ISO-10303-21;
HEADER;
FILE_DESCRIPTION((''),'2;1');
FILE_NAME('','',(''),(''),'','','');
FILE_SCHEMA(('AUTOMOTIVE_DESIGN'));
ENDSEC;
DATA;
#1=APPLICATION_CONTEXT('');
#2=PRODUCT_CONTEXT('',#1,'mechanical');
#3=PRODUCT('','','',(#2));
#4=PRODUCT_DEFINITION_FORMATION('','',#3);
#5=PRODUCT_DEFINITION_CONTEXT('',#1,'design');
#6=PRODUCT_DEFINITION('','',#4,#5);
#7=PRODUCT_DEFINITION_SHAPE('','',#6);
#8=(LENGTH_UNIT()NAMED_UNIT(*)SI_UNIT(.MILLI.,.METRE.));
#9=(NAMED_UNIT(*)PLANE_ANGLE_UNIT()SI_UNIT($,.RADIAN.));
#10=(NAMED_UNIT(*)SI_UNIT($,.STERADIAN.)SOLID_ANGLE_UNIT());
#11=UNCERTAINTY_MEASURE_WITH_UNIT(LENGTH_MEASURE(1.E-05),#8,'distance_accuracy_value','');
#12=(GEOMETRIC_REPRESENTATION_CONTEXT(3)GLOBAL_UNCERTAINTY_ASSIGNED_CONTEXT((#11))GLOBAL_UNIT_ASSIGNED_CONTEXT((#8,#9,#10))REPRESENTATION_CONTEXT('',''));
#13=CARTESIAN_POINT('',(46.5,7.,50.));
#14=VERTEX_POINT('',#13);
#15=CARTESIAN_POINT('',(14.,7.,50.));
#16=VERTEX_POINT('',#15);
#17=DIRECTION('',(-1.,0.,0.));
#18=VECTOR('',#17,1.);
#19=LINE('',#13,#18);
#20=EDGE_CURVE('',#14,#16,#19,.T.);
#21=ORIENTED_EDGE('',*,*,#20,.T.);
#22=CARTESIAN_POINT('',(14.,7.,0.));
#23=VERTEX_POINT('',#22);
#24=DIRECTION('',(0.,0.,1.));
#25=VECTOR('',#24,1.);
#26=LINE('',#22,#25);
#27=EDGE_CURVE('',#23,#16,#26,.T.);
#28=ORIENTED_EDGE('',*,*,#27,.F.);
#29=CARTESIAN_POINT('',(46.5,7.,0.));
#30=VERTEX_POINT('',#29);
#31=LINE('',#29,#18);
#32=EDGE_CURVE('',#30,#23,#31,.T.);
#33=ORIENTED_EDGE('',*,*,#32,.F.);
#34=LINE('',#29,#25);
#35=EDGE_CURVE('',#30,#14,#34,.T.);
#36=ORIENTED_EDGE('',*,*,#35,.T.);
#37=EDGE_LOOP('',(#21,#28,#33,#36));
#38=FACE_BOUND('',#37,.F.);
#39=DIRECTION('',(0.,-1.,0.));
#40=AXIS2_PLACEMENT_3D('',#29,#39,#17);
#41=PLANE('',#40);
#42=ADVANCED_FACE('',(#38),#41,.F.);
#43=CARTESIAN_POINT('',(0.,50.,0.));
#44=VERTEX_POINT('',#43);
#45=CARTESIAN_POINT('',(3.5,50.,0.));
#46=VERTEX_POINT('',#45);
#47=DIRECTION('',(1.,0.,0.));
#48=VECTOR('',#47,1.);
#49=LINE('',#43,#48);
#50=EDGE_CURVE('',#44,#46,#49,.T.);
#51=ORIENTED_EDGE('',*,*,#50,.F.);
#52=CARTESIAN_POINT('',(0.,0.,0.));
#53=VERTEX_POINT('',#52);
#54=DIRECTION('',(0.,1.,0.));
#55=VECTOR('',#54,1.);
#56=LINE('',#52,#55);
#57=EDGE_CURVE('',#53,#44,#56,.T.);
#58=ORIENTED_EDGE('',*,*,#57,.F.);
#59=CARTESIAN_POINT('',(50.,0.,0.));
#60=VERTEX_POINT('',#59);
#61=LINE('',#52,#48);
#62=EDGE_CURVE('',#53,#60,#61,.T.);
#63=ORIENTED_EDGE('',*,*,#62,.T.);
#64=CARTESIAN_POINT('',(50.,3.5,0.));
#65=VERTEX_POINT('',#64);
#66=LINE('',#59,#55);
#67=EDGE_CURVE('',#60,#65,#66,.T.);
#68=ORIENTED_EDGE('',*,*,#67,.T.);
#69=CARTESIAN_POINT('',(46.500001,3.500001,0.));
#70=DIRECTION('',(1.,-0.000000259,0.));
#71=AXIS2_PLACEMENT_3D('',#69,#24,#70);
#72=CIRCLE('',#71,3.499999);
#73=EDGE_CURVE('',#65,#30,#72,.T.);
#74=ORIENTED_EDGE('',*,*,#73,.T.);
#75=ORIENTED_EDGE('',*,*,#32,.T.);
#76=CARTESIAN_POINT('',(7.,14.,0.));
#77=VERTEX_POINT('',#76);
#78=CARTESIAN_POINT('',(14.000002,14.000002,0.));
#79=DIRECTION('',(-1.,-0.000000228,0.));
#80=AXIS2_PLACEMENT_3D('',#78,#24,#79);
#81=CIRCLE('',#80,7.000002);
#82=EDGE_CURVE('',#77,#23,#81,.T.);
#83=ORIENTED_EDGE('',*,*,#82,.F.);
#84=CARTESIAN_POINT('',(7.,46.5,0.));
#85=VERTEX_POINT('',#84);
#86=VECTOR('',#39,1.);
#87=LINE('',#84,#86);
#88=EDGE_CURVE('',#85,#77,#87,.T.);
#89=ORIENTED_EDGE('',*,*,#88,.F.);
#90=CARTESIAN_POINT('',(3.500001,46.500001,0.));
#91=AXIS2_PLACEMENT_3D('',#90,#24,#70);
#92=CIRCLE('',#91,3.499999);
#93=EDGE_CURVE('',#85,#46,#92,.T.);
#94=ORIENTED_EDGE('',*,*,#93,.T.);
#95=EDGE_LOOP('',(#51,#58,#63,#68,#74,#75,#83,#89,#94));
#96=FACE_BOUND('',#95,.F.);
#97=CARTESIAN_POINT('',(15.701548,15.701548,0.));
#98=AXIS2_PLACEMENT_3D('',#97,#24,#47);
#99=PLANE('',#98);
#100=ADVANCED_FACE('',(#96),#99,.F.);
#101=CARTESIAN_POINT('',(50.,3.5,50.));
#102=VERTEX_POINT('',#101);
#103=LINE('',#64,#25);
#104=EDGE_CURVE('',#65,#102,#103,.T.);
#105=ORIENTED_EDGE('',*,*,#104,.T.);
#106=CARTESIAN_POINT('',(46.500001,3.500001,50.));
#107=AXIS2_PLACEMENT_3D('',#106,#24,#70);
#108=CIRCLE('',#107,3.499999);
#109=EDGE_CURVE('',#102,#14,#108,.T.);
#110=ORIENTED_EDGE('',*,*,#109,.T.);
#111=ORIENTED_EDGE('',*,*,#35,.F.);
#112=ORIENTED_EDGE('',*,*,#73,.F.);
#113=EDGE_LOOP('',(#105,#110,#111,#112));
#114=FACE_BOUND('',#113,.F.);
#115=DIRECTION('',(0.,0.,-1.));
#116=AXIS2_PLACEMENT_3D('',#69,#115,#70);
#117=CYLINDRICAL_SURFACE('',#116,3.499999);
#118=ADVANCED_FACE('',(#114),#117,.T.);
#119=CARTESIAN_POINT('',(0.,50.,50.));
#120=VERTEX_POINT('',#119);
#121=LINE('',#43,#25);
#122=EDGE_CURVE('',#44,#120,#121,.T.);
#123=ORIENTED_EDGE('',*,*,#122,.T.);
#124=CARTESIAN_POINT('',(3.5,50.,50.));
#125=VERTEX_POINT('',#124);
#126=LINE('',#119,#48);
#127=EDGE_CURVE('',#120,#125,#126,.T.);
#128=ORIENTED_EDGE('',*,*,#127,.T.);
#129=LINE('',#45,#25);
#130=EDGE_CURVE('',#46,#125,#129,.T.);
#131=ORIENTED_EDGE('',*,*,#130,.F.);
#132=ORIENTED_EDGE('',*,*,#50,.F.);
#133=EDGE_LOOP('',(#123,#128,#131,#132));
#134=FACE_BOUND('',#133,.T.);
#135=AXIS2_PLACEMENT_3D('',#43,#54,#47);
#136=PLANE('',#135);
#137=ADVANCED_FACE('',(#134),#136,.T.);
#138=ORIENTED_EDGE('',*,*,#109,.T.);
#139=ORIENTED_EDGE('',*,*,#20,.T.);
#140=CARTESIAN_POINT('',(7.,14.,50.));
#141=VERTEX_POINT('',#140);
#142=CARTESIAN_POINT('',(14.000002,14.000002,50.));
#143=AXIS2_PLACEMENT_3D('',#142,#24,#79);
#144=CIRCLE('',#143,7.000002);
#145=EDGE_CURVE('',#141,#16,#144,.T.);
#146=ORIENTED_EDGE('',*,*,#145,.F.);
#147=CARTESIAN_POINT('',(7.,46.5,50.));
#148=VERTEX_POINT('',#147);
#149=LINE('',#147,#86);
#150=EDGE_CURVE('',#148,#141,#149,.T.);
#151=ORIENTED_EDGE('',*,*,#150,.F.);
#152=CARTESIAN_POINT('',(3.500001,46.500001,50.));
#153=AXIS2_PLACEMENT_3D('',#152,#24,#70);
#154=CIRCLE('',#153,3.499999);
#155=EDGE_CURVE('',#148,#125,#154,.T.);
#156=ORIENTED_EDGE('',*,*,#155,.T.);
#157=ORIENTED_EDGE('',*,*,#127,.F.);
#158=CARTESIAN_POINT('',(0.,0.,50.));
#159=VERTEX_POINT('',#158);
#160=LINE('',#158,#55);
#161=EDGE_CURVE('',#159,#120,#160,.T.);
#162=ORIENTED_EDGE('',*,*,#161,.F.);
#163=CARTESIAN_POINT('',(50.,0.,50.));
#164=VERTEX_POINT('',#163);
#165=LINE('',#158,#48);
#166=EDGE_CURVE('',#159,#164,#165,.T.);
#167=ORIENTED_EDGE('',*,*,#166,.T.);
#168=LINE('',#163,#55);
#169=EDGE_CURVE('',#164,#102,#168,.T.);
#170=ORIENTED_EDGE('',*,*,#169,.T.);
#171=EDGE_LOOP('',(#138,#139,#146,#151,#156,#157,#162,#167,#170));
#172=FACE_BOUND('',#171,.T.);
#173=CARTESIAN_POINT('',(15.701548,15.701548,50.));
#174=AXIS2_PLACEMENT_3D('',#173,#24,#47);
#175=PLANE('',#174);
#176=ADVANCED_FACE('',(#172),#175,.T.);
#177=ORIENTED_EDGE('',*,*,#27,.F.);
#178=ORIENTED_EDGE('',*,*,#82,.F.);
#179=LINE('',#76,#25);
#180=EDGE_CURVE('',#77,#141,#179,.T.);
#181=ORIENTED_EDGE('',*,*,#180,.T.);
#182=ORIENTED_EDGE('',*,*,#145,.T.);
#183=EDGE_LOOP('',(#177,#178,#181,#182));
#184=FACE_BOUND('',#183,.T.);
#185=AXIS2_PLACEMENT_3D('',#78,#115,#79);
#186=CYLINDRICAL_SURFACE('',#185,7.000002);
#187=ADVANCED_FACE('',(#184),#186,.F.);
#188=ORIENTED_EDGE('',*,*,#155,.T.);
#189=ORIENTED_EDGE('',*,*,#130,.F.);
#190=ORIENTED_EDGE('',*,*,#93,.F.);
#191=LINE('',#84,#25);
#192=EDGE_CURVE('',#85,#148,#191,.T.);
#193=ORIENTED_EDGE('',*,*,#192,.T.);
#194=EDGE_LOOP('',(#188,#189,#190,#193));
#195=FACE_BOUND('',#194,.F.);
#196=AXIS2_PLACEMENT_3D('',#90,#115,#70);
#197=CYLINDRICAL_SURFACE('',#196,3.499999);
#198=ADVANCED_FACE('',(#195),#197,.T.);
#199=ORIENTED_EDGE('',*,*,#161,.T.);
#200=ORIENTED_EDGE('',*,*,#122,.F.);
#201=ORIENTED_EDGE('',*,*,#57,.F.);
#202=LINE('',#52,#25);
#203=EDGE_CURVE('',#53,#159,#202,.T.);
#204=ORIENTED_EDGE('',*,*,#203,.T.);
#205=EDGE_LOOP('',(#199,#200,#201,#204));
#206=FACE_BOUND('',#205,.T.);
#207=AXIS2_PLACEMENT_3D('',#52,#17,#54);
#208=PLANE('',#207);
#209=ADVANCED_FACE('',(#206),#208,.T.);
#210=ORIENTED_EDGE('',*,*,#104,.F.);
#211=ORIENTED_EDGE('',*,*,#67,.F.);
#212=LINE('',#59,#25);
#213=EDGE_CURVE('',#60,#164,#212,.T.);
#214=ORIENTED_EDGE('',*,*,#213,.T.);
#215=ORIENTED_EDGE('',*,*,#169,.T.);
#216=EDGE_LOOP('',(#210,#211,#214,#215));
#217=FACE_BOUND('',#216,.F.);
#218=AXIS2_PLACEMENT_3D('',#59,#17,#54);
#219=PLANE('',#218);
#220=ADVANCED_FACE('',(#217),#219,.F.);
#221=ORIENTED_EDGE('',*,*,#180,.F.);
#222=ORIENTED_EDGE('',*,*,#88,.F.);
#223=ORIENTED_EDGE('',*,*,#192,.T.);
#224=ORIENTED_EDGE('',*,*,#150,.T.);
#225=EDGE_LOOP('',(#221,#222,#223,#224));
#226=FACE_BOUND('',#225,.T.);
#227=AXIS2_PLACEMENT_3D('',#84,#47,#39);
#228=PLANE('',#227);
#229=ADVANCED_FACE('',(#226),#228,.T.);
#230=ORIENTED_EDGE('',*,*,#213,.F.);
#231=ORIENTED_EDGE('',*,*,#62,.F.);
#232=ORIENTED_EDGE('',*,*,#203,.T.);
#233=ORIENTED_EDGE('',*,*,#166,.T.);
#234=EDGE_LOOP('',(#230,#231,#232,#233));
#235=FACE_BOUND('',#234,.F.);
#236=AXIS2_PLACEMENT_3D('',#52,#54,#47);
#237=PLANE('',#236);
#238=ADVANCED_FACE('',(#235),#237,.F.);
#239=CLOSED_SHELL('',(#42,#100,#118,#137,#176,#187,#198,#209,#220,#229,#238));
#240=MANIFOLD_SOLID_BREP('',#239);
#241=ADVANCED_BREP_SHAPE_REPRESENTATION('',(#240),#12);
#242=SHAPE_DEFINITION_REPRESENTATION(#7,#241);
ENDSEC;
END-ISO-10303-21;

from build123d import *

# Parameters (mm, degrees)
EXTRUDE_DEPTH = 50


with BuildPart() as part:
    # Sketch → Extrude (new body)
    with BuildSketch(Plane.XY):
        with BuildLine():
            Line((0, 0), (50, 0))
            Line((50, 0), (50, 3.5))
            ThreePointArc((50, 3.5), (48.974874, 5.974874), (46.5, 7))
            Line((46.5, 7), (14, 7))
            ThreePointArc((7, 14), (9.050253, 9.050253), (14, 7))
            Line((7, 46.5), (7, 14))
            ThreePointArc((7, 46.5), (5.974874, 48.974874), (3.5, 50))
            Line((0, 50), (3.5, 50))
            Line((0, 0), (0, 50))
        make_face()
    extrude(amount=EXTRUDE_DEPTH)


solid = part.part
